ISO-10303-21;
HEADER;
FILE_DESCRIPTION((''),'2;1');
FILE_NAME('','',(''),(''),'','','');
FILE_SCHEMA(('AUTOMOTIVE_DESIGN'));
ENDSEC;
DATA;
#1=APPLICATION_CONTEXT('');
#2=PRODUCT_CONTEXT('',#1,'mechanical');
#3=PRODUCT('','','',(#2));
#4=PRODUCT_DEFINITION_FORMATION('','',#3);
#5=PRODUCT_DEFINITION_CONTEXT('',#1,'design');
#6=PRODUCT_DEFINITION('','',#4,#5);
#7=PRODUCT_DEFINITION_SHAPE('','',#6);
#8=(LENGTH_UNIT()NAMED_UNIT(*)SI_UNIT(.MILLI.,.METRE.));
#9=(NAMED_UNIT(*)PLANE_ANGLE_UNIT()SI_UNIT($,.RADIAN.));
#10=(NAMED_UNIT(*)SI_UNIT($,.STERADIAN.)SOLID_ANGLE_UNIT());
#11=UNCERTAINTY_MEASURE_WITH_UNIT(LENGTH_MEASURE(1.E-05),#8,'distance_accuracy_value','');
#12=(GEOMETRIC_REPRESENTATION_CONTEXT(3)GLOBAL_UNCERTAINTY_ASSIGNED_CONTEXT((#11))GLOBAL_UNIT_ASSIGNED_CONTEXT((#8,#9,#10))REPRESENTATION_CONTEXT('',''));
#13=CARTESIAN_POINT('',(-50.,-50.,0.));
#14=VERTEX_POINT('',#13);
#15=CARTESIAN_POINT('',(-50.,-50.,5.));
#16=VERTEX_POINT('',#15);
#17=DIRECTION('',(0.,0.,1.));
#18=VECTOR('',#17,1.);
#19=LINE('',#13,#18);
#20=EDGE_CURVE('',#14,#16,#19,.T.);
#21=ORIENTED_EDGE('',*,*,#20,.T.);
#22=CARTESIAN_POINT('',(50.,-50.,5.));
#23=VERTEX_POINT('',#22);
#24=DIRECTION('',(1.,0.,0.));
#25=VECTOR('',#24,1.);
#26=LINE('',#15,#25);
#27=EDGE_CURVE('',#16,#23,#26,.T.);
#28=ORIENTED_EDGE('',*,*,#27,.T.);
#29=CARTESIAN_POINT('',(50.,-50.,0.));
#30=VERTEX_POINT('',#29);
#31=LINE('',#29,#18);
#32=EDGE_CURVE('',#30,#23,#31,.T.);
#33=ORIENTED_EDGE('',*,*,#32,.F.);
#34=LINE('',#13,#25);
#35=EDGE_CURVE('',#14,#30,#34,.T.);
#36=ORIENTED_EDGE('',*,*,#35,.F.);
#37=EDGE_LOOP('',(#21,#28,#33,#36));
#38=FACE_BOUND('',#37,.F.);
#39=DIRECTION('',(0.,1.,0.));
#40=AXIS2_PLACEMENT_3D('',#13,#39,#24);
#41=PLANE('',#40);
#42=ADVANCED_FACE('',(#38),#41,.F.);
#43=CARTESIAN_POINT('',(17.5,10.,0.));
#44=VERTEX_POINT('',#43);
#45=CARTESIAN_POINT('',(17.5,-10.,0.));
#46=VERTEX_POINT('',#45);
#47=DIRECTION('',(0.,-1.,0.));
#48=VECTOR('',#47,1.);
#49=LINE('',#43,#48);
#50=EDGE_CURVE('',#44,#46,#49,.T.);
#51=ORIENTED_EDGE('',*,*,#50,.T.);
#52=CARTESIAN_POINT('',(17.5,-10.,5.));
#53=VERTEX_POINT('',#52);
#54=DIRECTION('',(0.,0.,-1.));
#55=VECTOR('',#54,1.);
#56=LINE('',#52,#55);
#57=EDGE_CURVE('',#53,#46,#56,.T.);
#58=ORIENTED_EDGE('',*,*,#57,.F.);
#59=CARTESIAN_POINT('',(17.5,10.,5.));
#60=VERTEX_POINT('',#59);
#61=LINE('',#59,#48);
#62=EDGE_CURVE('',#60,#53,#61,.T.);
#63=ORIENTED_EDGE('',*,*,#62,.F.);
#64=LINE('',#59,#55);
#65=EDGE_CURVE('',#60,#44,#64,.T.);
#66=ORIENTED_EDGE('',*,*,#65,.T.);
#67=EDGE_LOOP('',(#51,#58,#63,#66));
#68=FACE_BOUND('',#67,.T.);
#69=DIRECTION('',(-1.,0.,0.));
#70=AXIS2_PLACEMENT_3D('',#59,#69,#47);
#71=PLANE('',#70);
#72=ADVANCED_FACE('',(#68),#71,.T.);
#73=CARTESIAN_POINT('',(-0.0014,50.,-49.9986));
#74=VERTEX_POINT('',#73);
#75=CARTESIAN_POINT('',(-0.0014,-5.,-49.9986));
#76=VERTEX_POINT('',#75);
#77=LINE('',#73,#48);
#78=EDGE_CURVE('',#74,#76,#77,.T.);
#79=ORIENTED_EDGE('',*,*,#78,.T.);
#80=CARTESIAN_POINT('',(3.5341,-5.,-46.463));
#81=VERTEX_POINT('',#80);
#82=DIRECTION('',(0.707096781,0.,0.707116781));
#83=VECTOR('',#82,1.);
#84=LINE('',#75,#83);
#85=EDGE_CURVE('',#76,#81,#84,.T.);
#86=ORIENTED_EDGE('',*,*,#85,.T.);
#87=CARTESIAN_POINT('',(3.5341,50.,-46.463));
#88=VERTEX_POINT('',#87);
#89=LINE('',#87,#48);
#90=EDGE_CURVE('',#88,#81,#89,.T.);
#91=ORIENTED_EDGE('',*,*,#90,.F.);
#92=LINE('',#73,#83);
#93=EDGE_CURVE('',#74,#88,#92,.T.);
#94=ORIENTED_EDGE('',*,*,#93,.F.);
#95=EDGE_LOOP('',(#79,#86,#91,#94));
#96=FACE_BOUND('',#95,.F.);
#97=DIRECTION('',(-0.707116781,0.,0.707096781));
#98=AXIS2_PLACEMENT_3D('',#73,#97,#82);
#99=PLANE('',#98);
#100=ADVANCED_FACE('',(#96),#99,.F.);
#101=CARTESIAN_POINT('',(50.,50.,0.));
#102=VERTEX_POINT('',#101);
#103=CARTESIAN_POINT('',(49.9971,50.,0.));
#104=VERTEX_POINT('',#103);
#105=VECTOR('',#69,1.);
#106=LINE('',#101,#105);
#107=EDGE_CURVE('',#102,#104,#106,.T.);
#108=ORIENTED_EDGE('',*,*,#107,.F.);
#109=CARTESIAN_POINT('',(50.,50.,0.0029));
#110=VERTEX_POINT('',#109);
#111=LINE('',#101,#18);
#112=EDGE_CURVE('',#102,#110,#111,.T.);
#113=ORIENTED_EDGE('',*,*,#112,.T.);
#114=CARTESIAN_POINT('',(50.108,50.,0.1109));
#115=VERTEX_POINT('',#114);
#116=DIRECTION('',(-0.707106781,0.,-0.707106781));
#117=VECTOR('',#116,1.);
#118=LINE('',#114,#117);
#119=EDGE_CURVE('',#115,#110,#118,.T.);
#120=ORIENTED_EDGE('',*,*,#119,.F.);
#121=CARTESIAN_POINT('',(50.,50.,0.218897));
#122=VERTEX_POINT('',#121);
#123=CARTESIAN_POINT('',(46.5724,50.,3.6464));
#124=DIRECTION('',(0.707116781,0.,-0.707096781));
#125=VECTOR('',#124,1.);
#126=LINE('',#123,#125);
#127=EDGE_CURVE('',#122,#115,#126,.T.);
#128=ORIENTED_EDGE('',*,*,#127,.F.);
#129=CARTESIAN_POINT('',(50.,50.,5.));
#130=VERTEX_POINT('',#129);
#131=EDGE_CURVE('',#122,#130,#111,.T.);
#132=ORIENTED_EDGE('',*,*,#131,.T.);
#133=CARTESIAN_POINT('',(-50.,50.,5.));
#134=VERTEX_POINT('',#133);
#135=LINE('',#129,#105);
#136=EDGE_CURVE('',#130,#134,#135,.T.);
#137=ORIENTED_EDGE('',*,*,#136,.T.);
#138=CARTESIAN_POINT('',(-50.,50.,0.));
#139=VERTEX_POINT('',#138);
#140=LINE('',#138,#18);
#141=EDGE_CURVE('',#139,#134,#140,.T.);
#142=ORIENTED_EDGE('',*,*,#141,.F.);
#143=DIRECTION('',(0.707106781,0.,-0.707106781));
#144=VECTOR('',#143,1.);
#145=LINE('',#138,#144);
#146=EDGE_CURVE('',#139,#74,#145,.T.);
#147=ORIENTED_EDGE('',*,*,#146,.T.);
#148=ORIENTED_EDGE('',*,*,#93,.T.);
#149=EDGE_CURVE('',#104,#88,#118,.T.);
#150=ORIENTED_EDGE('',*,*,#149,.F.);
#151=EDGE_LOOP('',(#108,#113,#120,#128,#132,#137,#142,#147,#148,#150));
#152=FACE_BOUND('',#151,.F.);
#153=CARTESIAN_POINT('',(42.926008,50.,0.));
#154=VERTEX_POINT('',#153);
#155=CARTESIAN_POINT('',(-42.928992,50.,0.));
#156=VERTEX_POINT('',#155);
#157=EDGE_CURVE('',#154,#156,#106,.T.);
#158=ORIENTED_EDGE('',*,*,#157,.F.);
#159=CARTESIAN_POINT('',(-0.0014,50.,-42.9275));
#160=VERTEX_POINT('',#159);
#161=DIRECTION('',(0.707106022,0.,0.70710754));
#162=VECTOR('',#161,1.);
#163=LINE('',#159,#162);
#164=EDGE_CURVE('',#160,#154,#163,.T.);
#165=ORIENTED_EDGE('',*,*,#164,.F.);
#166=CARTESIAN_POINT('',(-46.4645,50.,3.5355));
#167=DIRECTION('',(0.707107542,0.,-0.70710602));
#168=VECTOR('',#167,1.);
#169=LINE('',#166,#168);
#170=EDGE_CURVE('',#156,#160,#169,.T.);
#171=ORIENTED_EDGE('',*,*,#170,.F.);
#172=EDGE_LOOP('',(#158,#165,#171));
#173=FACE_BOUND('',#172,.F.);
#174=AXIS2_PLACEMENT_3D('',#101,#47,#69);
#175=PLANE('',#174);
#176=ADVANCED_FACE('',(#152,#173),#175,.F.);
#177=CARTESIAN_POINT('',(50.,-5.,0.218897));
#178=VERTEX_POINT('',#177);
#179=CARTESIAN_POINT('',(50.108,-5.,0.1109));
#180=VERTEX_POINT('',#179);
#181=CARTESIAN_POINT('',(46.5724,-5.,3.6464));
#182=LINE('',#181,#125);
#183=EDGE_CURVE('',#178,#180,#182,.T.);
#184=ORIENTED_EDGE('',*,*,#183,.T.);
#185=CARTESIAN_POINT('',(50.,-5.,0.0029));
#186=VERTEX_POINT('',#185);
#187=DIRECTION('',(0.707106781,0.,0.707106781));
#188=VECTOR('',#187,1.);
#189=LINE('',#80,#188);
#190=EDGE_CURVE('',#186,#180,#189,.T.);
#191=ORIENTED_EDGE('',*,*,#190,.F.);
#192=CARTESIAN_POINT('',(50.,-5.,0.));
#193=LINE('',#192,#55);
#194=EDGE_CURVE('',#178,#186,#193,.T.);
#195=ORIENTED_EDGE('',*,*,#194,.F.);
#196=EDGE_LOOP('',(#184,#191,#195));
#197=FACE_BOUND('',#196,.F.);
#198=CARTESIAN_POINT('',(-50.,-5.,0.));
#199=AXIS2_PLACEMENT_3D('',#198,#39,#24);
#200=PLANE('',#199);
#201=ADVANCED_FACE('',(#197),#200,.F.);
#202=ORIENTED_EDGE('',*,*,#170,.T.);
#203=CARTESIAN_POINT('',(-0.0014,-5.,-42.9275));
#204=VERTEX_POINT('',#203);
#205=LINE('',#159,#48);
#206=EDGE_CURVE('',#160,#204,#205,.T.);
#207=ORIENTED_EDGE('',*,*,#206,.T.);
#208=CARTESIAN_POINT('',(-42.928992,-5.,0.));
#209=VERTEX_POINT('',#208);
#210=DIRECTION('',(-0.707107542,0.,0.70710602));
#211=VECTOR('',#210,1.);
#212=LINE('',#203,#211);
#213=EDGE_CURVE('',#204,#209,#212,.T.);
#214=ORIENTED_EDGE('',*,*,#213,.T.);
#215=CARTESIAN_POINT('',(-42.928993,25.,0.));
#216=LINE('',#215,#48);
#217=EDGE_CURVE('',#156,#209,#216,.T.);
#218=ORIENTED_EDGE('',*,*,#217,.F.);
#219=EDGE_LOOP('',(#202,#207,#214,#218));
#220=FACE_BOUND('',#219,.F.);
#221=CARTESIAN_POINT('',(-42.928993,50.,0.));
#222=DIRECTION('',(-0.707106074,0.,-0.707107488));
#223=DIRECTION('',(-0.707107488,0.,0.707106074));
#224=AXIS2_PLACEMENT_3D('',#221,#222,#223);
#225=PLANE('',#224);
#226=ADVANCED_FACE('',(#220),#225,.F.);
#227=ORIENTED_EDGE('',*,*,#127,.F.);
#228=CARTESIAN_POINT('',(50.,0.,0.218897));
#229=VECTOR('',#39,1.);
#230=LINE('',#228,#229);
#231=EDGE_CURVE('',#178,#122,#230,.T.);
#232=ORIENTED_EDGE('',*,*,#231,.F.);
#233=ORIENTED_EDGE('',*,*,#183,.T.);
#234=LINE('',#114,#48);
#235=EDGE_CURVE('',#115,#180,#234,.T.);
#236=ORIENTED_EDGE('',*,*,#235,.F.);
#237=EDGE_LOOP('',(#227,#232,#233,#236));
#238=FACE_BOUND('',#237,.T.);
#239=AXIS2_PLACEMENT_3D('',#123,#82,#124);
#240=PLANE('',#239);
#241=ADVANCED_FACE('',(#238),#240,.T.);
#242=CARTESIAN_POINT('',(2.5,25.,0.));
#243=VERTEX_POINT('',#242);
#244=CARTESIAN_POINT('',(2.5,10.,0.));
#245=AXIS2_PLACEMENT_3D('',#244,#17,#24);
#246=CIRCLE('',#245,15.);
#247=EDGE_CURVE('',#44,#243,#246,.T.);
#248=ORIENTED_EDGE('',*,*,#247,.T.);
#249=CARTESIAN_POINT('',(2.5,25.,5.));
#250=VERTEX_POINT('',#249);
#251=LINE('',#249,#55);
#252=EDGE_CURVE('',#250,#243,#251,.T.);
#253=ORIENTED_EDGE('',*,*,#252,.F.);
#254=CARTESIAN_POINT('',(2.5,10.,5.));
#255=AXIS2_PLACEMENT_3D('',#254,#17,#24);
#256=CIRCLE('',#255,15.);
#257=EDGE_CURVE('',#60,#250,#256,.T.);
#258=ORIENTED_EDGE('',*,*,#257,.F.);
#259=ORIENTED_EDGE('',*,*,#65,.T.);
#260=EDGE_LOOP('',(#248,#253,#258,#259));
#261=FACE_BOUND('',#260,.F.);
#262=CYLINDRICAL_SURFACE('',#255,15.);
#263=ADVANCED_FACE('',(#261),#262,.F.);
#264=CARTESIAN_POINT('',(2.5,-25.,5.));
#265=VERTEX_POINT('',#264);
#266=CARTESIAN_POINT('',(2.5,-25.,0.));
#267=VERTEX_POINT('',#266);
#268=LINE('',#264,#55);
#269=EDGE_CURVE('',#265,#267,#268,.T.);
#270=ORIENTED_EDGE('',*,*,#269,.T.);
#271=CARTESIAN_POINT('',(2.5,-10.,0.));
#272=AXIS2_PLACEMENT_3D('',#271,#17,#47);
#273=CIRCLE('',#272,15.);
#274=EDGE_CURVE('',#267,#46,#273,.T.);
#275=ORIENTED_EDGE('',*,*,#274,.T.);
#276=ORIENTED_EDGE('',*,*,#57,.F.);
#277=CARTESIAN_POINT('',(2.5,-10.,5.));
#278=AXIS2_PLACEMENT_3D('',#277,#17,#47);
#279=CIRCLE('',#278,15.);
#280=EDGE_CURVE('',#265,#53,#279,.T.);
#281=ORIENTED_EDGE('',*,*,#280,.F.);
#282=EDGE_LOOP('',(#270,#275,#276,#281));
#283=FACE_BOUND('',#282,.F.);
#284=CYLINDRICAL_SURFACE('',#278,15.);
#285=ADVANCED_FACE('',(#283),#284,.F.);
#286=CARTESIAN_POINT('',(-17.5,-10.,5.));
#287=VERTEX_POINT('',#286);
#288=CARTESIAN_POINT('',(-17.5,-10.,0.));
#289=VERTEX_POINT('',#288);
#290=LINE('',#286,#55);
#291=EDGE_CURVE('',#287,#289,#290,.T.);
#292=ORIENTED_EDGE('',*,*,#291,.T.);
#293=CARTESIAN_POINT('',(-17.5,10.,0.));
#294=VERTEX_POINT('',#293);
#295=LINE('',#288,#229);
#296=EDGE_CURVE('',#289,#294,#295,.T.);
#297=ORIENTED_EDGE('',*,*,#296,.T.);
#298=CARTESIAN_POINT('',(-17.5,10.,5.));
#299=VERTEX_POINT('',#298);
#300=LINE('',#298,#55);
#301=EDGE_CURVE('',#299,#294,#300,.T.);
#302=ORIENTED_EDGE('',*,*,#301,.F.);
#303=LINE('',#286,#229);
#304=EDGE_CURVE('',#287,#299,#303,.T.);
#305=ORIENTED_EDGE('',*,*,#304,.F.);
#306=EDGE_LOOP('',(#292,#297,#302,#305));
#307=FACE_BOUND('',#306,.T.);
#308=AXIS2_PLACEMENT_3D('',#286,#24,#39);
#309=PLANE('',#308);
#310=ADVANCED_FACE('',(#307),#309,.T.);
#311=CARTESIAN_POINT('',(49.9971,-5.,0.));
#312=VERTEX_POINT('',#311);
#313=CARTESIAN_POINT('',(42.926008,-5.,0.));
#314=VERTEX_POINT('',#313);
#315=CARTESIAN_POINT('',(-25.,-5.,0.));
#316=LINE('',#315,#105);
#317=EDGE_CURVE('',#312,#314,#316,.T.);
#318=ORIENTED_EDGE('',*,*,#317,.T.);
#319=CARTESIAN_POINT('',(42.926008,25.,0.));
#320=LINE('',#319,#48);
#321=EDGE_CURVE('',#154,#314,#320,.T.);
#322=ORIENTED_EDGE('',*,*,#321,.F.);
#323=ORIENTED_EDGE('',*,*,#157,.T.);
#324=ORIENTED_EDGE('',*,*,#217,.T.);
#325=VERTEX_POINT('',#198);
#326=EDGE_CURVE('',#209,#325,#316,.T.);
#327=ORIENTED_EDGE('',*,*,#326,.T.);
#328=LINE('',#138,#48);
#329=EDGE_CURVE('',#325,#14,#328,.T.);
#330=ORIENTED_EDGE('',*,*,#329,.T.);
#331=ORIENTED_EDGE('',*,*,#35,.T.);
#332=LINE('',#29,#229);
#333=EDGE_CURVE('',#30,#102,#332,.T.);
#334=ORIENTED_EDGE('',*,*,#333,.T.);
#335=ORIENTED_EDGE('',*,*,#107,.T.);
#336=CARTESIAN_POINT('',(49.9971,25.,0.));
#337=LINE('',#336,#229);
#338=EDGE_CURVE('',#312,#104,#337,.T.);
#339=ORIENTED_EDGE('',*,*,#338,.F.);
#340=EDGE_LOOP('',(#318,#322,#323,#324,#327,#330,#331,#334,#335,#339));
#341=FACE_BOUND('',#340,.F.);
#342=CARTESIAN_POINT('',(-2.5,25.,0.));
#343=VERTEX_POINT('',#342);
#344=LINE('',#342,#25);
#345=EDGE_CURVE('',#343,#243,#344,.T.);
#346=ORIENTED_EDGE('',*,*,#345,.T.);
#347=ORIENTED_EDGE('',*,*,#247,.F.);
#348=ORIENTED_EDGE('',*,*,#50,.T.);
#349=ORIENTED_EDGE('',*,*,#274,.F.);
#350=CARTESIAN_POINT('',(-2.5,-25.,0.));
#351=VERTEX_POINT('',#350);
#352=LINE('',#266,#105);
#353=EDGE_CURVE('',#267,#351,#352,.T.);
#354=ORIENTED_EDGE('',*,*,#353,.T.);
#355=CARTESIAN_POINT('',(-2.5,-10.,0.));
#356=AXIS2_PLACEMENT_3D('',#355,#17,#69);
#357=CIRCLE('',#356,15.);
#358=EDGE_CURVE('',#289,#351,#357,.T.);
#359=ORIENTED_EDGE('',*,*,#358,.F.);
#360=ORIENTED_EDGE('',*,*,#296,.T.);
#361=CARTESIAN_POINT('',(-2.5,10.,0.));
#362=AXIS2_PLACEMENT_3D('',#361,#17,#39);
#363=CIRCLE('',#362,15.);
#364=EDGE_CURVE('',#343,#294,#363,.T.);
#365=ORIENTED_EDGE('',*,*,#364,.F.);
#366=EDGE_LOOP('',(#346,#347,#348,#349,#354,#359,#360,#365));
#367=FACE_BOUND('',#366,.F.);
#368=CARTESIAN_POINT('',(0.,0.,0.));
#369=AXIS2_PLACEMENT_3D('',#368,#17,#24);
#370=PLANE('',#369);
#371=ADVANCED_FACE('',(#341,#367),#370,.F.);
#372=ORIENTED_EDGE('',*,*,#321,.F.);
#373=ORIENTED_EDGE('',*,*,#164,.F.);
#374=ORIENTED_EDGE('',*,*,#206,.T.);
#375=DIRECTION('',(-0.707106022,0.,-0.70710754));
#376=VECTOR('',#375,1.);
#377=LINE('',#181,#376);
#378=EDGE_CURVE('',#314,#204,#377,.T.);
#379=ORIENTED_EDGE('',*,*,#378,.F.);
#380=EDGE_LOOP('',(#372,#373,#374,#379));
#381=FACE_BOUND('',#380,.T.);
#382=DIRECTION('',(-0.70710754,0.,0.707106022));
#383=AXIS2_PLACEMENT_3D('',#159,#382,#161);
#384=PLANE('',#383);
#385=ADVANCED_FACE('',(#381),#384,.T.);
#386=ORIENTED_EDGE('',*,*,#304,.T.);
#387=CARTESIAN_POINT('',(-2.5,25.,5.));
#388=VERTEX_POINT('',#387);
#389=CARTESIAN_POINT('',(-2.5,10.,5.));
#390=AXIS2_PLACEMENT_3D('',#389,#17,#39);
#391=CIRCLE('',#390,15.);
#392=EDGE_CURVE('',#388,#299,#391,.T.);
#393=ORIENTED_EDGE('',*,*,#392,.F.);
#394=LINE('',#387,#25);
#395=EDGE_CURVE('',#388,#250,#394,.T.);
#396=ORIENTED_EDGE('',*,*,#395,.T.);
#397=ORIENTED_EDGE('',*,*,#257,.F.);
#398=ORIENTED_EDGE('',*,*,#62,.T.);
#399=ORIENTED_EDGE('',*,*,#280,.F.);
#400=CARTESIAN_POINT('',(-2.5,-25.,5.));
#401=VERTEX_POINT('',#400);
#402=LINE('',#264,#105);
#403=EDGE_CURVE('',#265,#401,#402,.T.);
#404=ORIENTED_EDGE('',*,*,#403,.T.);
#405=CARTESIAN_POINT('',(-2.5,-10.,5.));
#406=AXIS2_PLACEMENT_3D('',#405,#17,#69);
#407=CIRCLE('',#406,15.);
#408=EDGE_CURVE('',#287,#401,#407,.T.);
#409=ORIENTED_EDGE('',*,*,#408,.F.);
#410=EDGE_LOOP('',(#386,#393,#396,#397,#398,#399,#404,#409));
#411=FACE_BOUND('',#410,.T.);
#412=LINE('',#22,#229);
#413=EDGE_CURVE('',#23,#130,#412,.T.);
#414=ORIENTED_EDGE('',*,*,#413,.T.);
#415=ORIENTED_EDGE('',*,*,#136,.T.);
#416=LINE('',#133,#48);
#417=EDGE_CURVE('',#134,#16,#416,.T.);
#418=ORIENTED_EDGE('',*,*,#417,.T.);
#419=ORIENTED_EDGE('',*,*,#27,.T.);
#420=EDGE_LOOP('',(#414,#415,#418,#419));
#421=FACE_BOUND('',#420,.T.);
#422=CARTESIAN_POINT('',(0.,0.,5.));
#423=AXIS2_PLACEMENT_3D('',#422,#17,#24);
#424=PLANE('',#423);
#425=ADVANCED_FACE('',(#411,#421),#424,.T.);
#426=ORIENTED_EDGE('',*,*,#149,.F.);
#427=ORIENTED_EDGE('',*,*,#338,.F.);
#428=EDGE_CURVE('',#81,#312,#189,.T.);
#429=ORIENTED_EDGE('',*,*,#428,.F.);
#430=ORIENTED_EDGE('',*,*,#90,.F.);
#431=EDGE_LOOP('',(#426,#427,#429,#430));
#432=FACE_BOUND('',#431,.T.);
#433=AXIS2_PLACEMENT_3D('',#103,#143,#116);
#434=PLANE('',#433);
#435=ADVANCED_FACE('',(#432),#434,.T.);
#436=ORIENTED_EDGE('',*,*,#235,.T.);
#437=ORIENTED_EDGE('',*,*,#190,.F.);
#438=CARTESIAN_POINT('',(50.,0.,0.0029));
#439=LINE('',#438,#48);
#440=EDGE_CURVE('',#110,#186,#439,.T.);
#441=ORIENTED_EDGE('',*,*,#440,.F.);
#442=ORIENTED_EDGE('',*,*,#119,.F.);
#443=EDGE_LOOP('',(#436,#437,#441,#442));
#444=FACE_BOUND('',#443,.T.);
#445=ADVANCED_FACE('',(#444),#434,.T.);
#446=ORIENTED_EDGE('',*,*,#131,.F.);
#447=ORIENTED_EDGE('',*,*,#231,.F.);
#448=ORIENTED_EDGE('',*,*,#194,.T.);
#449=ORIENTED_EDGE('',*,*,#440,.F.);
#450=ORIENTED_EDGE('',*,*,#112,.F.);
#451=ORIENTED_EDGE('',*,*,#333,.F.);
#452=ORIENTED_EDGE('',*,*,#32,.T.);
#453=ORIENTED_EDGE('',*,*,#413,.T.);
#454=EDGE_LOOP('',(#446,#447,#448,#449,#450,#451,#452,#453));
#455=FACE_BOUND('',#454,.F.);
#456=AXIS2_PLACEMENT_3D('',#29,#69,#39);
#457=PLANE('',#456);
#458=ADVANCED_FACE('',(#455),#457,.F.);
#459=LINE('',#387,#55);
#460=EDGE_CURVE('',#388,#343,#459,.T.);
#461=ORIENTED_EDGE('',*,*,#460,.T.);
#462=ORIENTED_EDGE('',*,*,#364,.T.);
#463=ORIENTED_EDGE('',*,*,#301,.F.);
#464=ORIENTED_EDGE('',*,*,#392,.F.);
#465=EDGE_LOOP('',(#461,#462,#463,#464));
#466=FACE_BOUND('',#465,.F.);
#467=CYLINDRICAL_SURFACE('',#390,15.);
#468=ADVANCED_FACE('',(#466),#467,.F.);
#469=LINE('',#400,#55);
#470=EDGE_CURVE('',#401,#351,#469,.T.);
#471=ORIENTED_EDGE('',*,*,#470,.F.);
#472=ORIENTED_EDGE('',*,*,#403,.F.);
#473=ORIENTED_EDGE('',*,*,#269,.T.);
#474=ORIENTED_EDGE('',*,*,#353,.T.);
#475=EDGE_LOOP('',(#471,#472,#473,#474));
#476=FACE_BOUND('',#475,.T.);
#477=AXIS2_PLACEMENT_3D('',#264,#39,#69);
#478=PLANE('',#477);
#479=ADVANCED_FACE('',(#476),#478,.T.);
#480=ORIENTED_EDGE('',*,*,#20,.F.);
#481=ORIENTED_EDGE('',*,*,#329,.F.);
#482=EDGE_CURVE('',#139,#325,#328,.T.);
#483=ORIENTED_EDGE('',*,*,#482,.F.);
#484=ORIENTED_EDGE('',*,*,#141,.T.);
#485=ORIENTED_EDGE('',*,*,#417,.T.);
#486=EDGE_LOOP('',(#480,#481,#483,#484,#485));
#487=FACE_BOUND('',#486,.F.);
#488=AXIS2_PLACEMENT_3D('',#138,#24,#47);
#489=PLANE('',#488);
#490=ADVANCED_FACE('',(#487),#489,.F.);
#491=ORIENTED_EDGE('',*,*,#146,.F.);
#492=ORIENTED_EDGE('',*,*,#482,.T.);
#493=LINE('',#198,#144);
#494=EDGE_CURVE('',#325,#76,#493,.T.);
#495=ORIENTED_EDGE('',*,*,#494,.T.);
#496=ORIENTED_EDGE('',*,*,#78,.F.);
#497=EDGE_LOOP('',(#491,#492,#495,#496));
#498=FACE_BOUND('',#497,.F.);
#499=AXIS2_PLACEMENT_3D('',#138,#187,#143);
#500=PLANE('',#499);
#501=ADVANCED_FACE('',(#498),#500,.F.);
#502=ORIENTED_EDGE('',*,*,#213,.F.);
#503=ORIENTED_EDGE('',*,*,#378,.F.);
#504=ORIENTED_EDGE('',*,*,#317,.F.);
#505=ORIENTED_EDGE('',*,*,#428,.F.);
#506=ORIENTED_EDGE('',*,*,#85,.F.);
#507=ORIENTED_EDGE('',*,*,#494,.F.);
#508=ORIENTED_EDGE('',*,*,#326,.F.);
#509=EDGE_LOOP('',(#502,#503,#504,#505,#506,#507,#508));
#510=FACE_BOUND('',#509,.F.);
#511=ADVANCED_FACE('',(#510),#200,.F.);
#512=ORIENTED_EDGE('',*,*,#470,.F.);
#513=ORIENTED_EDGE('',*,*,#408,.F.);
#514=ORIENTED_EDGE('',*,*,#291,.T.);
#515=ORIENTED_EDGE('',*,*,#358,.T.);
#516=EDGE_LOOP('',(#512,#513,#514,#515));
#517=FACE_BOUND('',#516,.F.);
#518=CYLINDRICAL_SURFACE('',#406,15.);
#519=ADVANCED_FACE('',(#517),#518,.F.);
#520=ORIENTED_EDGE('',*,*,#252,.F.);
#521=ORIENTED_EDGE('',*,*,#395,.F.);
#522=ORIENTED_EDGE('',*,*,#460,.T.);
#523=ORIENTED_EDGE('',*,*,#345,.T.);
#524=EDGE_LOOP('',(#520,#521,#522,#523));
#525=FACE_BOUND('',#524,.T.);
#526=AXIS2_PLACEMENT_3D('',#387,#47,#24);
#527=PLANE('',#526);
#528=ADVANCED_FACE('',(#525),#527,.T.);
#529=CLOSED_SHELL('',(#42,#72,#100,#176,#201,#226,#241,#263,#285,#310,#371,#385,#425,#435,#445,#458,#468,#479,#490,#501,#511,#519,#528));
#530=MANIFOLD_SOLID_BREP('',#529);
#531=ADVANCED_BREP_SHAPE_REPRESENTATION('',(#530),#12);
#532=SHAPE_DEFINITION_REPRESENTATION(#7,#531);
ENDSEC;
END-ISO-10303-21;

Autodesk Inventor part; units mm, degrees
ref_plane "YZ Plane" through (0, 0, 0) normal (1, 0, 0) x (0, 1, 0)
ref_plane "XZ Plane" through (0, 0, 0) normal (0, 1, 0) x (-1, 0, 0)
ref_plane "XY Plane" through (0, 0, 0) normal (0, 0, 1) x (1, 0, 0)
sketch "Sketch1" plane through (0, 0, 0) normal (0, 0, 1) x (1, 0, 0)
  line L0 (-50, -50) -> (50, -50)
  line L1 (50, -50) -> (50, 50)
  line L2 (50, 50) -> (-50, 50)
  line L3 (-50, 50) -> (-50, -50)
  line L4 (-50, -50) -> (50, 50) construction
  line L5 (50, -50) -> (-50, 50) construction
  point P0 (0, 0)
  dimension "d0" = 100
  dimension "d1" = 100
extrude "Extrusion1" add sketch "Sketch1" along normal blind 5
sketch "Sketch2" plane through (-50, 50, 0) normal (0, 1, 0) x (1, 0, 0)
  line L0 (0, 0) -> (100, 0) projected
  line L1 (0, 0) -> (49.9986, 49.9986)
  line L2 (49.9986, 49.9986) -> (53.5341, 46.463)
  line L3 (53.5341, 46.463) -> (3.5355, -3.5355)
  line L4 (3.5355, -3.5355) -> (0, 0)
  line L5 (0, 0) -> (70.7086, 0) construction
  line L6 (100.108, -0.1109) -> (53.5341, 46.463)
  line L7 (53.5341, 46.463) -> (49.9986, 42.9275)
  line L8 (49.9986, 42.9275) -> (96.5724, -3.6464)
  line L9 (96.5724, -3.6464) -> (100.108, -0.1109)
  point P0 (50, 0)
  point P1 (49.9986, 42.9275)
  dimension "d4" = 45
  dimension "d5" = 5
  dimension "d6" = 5
extrude "Extrusion2" add sketch "Sketch2" against normal blind 55 contours L1 L2 L3 L0 | L0 L3 L4 | L8 L3 L6 L0 | L0 L6 L9 L8
sketch "Sketch3" plane through (0, 0, 5) normal (0, 0, 1) x (1, 0, 0)
  line L0 (2.5, -25) -> (-2.5, -25)
  line L1 (-17.5, -10) -> (-17.5, 10)
  line L2 (-2.5, 25) -> (2.5, 25)
  line L3 (17.5, 10) -> (17.5, -10)
  line L4 (17.5, -25) -> (-17.5, 25) construction
  line L5 (-17.5, -25) -> (17.5, 25) construction
  arc A0 (-2.5, 25) -> (-17.5, 10) centre (-2.5, 10) ccw
  arc A1 (17.5, 10) -> (2.5, 25) centre (2.5, 10) ccw
  arc A2 (2.5, -25) -> (17.5, -10) centre (2.5, -10) ccw
  arc A3 (-17.5, -10) -> (-2.5, -25) centre (-2.5, -10) ccw
  point P0 (0, 0)
  dimension "d9" = 35
  dimension "d10" = 50
  dimension "d11" = 15
extrude "Extrusion3" cut sketch "Sketch3" against normal blind 5
properties part number "fixation_v03"
